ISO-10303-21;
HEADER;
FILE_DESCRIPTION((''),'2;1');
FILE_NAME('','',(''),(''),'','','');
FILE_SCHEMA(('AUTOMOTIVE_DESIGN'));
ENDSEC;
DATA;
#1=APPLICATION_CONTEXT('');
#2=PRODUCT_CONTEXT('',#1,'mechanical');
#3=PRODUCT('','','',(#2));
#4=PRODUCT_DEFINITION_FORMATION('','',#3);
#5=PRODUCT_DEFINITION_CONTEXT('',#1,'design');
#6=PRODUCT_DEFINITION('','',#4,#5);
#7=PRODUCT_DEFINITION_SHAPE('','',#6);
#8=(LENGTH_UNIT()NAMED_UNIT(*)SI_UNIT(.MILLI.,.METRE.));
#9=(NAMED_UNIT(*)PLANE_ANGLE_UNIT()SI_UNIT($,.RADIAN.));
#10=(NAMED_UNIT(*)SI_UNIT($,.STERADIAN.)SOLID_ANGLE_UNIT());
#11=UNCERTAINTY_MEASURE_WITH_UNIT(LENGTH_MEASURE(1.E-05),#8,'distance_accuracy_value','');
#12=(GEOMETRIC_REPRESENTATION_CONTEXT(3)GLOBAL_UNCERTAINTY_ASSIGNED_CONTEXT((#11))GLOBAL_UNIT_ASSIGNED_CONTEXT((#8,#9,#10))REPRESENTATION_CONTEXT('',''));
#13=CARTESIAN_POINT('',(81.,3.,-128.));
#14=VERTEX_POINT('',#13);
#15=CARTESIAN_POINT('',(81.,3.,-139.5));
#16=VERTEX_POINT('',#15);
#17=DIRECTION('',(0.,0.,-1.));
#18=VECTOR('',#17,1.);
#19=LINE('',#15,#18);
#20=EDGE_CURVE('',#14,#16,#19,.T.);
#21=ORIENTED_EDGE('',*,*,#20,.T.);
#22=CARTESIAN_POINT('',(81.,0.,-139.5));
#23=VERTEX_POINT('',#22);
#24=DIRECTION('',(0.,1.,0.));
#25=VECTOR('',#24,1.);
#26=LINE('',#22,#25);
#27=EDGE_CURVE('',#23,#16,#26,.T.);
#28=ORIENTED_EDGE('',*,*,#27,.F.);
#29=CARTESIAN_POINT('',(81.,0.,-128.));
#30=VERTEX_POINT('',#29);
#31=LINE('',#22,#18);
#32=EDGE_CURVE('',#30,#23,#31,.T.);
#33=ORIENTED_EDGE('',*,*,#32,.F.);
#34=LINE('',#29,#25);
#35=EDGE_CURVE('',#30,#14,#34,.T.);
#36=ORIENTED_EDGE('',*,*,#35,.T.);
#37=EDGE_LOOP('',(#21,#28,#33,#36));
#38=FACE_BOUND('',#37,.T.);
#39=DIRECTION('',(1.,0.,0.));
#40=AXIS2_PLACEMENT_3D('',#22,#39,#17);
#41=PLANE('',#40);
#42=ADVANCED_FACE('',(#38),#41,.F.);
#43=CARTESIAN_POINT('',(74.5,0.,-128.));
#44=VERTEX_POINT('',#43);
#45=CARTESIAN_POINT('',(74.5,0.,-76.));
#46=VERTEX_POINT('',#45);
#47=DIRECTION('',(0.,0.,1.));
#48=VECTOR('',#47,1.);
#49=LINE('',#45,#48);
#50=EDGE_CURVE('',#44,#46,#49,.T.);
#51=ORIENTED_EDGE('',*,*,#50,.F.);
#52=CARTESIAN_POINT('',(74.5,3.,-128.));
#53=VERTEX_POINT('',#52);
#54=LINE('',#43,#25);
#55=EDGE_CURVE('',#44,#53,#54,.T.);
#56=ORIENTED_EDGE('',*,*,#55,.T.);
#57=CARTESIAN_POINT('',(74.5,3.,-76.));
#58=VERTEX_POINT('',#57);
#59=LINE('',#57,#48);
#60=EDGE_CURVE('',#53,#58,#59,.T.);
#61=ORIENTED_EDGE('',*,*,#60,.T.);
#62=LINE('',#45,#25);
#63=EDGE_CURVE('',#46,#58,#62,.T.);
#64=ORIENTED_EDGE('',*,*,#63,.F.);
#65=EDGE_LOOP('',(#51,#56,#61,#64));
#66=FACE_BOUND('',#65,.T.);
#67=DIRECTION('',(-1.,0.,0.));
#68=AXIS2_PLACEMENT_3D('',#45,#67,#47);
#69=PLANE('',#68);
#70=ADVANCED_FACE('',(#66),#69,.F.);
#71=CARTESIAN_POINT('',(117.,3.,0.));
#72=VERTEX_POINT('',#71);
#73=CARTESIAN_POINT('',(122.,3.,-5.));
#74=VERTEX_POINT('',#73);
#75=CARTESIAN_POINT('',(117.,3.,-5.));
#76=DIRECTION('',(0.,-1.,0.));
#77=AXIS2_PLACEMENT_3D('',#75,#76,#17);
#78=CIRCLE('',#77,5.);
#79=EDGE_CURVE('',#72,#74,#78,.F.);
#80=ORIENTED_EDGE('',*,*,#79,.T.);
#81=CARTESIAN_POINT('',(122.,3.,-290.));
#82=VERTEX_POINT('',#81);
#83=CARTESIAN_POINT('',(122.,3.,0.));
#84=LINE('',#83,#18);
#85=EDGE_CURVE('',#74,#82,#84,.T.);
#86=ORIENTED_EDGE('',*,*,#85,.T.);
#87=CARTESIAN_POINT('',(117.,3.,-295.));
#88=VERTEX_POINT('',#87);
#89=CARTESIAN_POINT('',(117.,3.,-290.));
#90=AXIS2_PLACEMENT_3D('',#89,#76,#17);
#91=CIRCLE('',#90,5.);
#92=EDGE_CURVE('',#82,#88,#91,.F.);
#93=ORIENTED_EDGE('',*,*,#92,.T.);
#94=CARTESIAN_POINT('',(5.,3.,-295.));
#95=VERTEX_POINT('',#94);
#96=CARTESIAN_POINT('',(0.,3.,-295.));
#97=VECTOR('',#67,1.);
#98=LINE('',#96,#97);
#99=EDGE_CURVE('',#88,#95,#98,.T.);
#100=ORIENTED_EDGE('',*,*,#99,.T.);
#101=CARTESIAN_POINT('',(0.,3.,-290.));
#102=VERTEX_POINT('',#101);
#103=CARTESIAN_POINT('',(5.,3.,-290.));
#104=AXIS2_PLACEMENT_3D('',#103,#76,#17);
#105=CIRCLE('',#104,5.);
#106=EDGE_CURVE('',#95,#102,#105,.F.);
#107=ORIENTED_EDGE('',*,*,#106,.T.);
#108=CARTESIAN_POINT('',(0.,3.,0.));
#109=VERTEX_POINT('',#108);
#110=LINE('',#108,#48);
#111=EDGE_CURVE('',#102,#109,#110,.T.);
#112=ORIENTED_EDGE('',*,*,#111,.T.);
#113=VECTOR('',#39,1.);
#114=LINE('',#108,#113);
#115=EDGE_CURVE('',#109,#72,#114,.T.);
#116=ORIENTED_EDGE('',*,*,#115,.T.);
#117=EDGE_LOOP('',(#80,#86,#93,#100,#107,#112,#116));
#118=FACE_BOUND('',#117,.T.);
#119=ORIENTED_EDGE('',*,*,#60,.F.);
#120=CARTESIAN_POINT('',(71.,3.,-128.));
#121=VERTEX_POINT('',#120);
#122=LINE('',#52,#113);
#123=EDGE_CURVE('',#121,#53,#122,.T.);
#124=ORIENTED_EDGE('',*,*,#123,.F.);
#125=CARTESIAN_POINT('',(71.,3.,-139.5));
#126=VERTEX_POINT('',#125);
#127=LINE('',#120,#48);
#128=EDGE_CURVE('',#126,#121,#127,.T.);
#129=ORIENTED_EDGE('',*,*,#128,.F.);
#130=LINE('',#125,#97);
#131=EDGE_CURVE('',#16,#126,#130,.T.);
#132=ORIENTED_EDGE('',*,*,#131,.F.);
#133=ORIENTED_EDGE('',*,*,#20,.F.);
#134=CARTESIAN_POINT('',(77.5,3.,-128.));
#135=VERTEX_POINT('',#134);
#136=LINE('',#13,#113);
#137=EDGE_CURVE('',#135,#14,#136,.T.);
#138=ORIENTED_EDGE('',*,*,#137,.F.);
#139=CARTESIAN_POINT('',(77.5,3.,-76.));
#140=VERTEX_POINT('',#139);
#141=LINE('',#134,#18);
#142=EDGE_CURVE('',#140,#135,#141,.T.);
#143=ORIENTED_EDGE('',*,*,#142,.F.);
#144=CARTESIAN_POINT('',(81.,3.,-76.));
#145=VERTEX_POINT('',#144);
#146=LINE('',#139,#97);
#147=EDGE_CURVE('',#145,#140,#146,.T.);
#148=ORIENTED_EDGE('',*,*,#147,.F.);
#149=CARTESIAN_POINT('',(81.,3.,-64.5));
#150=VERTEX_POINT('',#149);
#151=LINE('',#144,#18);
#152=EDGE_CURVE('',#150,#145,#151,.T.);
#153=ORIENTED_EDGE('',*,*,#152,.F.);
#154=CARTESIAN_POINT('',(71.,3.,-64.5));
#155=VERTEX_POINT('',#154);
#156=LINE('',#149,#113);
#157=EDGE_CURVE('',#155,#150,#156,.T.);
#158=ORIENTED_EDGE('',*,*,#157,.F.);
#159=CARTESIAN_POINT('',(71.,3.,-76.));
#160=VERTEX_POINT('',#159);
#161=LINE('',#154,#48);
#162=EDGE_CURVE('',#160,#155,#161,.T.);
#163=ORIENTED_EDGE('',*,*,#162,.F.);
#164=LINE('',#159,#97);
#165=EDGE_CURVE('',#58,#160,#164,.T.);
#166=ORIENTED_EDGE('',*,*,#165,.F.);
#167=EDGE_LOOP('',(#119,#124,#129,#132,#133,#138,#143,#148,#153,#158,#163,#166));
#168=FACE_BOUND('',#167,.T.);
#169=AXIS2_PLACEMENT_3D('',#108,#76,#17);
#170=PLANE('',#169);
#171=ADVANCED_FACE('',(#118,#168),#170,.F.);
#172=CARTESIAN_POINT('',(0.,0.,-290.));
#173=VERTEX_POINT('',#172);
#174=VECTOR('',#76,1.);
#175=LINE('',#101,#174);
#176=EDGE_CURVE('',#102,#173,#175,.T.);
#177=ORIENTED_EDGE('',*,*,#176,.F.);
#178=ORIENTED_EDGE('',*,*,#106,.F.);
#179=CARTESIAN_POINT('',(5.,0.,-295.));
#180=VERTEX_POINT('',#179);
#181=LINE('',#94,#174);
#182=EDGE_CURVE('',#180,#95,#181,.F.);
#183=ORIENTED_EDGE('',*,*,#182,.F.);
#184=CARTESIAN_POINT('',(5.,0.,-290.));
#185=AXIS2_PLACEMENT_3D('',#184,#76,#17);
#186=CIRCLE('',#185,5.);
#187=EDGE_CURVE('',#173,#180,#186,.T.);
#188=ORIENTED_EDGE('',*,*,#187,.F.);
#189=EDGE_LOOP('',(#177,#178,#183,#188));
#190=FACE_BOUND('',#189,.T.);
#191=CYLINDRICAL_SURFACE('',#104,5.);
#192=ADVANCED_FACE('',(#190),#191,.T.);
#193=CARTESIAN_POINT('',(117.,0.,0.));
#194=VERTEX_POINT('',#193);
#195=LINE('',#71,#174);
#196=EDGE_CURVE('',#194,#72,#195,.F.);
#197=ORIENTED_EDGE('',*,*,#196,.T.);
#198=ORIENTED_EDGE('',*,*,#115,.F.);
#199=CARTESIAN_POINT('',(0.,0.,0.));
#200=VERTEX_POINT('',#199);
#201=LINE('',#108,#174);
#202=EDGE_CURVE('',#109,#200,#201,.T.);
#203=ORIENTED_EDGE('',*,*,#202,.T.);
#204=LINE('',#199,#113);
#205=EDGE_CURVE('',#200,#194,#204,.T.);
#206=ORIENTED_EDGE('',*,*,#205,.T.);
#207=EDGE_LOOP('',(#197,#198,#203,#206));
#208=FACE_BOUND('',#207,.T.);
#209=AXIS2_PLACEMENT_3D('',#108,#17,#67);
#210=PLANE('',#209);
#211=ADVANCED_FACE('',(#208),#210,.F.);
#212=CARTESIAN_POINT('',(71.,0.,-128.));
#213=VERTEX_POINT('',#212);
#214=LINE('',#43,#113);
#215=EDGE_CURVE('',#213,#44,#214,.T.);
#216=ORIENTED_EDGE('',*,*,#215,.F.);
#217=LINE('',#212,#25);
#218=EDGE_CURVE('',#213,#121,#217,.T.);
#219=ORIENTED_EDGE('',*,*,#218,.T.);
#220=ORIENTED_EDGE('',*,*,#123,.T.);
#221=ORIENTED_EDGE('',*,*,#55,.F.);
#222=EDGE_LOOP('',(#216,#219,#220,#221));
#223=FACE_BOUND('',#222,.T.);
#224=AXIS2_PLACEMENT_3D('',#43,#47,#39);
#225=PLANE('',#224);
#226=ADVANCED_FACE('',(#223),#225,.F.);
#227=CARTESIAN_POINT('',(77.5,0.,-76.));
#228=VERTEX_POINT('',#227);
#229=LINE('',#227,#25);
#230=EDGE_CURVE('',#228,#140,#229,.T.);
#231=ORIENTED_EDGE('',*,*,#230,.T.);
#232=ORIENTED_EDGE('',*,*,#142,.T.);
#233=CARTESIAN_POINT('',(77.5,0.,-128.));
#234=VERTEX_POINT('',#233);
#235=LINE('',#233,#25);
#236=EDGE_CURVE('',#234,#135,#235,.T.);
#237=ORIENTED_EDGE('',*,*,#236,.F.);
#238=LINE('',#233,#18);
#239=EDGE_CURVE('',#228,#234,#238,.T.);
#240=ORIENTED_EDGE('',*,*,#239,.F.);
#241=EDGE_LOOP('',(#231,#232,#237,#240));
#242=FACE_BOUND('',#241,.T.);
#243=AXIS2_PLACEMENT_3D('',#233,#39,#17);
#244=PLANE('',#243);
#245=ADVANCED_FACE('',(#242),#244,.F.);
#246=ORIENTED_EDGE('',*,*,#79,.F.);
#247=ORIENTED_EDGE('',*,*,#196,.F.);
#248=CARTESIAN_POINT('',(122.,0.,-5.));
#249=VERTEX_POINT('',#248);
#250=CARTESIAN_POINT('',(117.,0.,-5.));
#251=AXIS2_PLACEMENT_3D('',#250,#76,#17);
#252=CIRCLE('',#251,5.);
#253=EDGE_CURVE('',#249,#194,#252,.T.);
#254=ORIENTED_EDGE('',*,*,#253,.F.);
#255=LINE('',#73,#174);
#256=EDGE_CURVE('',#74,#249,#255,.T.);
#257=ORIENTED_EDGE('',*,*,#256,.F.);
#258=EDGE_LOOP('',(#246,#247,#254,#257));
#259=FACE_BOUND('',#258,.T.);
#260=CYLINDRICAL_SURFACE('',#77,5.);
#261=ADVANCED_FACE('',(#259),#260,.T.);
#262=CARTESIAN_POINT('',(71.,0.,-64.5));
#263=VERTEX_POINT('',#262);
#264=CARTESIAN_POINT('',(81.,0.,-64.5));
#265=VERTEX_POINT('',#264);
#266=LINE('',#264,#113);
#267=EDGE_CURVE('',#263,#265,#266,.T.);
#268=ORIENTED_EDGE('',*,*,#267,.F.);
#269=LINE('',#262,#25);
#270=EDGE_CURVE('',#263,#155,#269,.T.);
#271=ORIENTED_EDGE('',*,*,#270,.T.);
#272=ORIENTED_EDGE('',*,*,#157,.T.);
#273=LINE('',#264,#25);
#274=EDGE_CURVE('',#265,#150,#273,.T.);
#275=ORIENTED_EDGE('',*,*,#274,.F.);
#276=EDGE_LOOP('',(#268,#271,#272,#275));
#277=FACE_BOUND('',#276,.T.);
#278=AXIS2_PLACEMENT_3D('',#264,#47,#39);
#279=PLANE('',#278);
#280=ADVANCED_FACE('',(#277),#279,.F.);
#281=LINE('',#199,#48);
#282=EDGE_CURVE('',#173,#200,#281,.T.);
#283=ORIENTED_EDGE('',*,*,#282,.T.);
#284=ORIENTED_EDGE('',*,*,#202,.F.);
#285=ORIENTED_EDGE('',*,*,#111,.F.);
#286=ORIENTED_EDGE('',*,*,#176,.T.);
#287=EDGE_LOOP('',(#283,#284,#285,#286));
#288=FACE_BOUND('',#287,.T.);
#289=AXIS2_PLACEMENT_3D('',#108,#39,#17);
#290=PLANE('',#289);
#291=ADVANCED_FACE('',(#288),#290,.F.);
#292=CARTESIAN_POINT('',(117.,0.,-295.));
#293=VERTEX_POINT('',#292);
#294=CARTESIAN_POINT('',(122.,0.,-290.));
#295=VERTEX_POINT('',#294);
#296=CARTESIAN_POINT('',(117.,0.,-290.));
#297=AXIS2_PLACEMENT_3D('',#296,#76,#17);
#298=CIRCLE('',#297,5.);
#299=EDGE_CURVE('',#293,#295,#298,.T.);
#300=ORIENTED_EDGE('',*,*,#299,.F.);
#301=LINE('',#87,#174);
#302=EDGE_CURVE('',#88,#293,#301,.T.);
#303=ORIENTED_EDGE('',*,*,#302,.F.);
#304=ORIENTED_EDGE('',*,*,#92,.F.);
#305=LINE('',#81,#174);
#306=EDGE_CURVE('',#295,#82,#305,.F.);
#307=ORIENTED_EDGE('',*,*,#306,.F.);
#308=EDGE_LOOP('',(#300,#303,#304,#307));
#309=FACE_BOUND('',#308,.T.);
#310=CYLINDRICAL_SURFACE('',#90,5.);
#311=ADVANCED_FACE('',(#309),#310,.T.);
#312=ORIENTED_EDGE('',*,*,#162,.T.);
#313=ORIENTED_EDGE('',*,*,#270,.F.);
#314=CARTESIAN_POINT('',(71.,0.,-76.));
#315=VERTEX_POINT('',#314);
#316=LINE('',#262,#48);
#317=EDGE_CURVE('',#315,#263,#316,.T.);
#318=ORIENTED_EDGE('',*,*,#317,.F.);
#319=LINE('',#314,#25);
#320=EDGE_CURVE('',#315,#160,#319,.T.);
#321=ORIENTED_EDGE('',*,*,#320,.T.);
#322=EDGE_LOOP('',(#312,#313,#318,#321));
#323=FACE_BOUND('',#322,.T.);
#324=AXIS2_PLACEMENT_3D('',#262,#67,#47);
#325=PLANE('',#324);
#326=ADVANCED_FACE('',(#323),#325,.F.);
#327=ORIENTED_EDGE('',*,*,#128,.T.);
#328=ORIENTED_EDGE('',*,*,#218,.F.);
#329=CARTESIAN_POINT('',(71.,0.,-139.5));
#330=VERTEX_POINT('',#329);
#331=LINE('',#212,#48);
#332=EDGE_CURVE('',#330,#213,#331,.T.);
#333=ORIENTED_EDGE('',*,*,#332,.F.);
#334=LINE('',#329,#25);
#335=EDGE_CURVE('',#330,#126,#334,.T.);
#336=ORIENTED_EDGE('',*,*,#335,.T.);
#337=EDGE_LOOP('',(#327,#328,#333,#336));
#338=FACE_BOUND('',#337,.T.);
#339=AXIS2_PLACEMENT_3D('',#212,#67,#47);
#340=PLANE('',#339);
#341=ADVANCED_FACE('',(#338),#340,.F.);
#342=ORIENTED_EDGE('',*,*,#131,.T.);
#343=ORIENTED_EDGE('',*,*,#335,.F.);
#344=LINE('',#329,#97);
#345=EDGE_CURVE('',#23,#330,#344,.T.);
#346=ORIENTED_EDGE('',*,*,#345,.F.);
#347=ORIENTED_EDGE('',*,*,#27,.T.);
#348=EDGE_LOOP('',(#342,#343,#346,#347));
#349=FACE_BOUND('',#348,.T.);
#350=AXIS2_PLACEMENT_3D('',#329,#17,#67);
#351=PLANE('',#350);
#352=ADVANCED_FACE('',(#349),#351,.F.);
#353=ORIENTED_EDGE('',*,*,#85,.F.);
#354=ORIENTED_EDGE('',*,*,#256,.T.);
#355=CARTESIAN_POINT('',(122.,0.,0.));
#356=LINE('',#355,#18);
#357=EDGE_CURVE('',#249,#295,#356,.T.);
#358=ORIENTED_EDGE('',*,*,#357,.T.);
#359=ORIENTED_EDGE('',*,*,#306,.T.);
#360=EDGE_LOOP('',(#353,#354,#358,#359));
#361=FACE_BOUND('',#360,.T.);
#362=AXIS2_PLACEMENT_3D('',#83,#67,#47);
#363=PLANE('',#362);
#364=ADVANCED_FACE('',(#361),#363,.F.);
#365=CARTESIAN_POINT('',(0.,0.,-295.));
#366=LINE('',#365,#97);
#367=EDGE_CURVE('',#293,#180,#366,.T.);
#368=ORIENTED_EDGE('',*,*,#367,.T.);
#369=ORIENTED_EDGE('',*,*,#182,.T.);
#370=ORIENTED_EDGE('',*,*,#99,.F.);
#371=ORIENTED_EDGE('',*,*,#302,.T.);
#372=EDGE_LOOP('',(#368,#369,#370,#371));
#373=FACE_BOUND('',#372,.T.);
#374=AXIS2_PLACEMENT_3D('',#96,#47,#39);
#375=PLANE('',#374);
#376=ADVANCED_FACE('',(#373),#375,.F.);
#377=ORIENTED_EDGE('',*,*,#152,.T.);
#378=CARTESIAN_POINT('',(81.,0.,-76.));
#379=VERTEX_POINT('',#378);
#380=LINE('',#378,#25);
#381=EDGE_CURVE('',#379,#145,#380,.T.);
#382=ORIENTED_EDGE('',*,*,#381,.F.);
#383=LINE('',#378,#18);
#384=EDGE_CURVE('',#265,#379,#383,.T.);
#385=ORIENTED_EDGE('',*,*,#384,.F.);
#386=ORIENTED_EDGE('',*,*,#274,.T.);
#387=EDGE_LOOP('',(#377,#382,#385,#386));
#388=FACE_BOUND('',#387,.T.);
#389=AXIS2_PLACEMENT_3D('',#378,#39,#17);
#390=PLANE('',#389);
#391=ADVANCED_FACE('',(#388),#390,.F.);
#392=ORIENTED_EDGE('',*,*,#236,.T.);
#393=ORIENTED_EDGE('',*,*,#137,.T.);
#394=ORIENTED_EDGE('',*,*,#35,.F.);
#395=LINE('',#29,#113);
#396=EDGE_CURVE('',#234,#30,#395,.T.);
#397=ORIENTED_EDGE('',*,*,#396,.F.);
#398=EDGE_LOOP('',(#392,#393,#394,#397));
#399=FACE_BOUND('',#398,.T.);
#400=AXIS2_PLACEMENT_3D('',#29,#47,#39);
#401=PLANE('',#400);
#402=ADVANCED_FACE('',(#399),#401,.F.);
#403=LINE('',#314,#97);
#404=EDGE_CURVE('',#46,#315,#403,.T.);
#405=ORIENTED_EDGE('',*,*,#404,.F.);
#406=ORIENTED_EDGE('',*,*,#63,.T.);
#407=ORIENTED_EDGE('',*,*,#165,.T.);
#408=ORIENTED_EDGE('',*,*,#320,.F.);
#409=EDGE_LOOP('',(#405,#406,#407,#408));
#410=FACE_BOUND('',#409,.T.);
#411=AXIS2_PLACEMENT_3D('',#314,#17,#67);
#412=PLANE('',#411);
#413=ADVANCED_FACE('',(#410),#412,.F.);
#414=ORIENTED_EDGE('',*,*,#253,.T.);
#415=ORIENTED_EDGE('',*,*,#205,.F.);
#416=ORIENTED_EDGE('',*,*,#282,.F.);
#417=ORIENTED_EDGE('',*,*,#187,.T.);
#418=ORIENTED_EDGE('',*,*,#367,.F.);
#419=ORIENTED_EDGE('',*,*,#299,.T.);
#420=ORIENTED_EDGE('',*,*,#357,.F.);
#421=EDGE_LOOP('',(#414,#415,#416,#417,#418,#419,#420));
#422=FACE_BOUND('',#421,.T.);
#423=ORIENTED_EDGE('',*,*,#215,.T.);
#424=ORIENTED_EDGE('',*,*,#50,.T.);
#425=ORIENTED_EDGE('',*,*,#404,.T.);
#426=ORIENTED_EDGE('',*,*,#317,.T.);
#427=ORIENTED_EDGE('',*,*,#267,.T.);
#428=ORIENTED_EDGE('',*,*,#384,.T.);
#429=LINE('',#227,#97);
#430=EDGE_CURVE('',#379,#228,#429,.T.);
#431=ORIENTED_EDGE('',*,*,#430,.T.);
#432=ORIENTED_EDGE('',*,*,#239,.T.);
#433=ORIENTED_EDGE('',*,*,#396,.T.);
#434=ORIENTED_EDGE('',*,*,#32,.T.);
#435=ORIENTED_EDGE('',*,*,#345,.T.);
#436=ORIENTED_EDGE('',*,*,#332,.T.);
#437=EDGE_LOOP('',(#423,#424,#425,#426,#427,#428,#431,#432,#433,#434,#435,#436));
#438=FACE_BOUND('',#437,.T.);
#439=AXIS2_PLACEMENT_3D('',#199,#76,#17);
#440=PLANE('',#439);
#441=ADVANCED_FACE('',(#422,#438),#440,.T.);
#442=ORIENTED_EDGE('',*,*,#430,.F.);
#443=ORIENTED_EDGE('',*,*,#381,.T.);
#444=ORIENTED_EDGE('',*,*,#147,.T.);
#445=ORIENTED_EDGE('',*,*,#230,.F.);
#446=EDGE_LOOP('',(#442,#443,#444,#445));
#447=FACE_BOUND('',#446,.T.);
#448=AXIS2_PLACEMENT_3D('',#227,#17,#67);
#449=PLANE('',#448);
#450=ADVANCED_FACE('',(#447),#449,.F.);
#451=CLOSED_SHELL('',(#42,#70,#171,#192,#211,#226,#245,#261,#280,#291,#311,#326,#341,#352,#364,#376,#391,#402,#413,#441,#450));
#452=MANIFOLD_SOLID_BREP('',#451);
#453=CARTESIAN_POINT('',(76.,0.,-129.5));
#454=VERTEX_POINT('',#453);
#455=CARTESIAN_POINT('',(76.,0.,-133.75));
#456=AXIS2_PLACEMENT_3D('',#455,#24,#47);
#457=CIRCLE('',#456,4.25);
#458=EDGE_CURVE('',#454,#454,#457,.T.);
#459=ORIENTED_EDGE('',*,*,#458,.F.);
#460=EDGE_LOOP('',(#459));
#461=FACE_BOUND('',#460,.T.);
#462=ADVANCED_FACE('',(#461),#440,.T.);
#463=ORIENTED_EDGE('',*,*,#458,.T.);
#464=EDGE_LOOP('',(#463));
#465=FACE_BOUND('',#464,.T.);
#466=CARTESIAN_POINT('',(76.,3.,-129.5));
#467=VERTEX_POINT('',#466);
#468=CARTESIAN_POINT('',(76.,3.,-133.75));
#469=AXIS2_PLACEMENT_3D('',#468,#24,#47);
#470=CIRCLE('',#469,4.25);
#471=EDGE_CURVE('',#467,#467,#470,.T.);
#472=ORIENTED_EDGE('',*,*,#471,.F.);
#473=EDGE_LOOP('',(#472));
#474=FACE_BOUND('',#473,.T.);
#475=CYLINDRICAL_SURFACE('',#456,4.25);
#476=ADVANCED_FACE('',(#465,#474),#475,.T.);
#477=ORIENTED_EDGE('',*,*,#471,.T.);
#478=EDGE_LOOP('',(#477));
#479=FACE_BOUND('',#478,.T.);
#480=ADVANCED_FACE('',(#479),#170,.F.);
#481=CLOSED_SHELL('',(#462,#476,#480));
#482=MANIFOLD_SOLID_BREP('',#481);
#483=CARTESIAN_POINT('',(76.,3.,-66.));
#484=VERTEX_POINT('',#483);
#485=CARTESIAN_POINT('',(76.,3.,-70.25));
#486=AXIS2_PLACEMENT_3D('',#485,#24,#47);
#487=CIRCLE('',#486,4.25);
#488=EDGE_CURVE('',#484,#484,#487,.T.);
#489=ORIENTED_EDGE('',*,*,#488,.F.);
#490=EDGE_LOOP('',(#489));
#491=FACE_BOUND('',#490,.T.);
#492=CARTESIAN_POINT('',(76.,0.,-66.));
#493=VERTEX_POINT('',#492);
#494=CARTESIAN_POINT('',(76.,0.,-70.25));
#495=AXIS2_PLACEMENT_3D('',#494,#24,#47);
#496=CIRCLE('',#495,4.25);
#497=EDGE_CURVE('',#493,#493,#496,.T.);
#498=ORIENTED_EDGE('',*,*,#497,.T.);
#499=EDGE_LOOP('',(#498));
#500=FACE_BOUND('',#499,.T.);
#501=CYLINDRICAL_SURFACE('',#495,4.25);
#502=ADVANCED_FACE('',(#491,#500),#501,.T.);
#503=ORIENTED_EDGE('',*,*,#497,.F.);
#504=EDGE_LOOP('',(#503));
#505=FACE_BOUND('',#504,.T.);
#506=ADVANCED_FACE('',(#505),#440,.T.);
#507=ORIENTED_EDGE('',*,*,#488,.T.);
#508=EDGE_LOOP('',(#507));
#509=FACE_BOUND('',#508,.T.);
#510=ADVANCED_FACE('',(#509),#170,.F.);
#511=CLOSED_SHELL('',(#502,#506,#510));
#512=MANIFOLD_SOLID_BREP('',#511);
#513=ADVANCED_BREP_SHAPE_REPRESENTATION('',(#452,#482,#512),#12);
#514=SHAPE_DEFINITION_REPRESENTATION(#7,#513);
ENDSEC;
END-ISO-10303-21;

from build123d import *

# Parameters (mm, degrees)
SKETCH1_W           = 122
SKETCH1_H           = 295
BOSS_EXTRUDE1_DEPTH = 3
FILLET1_R           = 5
SKETCH2_R           = 4.25
CUT_EXTRUDE1_DEPTH  = 3


with BuildPart() as part:
    # Sketch1 → Boss-Extrude1 (new body)
    with BuildSketch(Plane(origin=(0, 0, 0), x_dir=(1, 0, 0), z_dir=(0, 1, 0))):
        with Locations((61, 147.5)):
            Rectangle(SKETCH1_W, SKETCH1_H)
    extrude(amount=BOSS_EXTRUDE1_DEPTH)

    # Fillet1
    fillet1_edges = [part.edges().sort_by_distance(p)[0] for p in [
        (0, 1.5, -295),
        (122, 1.5, -295),
        (122, 1.5, 0),
    ]]
    fillet(fillet1_edges, radius=FILLET1_R)

    # Sketch2 → Cut-Extrude1 (cut)
    with BuildSketch(Plane(origin=(0, 3, 0), x_dir=(1, 0, 0), z_dir=(0, 1, 0))):
        Polygon((71, 139.5), (81, 139.5), (81, 128), (77.5, 128), (77.5, 76), (81, 76), (81, 64.5), (71, 64.5), (71, 76), (74.5, 76), (74.5, 128), (71, 128), align=None)
        with Locations(Location((76, 133.75, 0), (0, 0, 270))):
            Circle(SKETCH2_R, mode=Mode.SUBTRACT)
        with Locations(Location((76, 70.25, 0), (0, 0, 270))):
            Circle(SKETCH2_R, mode=Mode.SUBTRACT)
    extrude(amount=-CUT_EXTRUDE1_DEPTH, mode=Mode.SUBTRACT)


with BuildPart() as cut_extrude1_piece_1:
    # of the separate pieces the step leaves, piece 1, a body of its own (cut_extrude1_pieces)
    add(part.part.solids().sort_by_distance((117, 0, 0))[0])


with BuildPart() as cut_extrude1_piece_2:
    # of the separate pieces the step leaves, piece 2, a body of its own (cut_extrude1_pieces)
    add(part.part.solids().sort_by_distance((76, 0, -66))[0])


with BuildPart() as cut_extrude1_piece_3:
    # of the separate pieces the step leaves, piece 3, a body of its own (cut_extrude1_pieces)
    add(part.part.solids().sort_by_distance((76, 0, -129.5))[0])


solid = Compound([cut_extrude1_piece_1.part, cut_extrude1_piece_2.part, cut_extrude1_piece_3.part])
